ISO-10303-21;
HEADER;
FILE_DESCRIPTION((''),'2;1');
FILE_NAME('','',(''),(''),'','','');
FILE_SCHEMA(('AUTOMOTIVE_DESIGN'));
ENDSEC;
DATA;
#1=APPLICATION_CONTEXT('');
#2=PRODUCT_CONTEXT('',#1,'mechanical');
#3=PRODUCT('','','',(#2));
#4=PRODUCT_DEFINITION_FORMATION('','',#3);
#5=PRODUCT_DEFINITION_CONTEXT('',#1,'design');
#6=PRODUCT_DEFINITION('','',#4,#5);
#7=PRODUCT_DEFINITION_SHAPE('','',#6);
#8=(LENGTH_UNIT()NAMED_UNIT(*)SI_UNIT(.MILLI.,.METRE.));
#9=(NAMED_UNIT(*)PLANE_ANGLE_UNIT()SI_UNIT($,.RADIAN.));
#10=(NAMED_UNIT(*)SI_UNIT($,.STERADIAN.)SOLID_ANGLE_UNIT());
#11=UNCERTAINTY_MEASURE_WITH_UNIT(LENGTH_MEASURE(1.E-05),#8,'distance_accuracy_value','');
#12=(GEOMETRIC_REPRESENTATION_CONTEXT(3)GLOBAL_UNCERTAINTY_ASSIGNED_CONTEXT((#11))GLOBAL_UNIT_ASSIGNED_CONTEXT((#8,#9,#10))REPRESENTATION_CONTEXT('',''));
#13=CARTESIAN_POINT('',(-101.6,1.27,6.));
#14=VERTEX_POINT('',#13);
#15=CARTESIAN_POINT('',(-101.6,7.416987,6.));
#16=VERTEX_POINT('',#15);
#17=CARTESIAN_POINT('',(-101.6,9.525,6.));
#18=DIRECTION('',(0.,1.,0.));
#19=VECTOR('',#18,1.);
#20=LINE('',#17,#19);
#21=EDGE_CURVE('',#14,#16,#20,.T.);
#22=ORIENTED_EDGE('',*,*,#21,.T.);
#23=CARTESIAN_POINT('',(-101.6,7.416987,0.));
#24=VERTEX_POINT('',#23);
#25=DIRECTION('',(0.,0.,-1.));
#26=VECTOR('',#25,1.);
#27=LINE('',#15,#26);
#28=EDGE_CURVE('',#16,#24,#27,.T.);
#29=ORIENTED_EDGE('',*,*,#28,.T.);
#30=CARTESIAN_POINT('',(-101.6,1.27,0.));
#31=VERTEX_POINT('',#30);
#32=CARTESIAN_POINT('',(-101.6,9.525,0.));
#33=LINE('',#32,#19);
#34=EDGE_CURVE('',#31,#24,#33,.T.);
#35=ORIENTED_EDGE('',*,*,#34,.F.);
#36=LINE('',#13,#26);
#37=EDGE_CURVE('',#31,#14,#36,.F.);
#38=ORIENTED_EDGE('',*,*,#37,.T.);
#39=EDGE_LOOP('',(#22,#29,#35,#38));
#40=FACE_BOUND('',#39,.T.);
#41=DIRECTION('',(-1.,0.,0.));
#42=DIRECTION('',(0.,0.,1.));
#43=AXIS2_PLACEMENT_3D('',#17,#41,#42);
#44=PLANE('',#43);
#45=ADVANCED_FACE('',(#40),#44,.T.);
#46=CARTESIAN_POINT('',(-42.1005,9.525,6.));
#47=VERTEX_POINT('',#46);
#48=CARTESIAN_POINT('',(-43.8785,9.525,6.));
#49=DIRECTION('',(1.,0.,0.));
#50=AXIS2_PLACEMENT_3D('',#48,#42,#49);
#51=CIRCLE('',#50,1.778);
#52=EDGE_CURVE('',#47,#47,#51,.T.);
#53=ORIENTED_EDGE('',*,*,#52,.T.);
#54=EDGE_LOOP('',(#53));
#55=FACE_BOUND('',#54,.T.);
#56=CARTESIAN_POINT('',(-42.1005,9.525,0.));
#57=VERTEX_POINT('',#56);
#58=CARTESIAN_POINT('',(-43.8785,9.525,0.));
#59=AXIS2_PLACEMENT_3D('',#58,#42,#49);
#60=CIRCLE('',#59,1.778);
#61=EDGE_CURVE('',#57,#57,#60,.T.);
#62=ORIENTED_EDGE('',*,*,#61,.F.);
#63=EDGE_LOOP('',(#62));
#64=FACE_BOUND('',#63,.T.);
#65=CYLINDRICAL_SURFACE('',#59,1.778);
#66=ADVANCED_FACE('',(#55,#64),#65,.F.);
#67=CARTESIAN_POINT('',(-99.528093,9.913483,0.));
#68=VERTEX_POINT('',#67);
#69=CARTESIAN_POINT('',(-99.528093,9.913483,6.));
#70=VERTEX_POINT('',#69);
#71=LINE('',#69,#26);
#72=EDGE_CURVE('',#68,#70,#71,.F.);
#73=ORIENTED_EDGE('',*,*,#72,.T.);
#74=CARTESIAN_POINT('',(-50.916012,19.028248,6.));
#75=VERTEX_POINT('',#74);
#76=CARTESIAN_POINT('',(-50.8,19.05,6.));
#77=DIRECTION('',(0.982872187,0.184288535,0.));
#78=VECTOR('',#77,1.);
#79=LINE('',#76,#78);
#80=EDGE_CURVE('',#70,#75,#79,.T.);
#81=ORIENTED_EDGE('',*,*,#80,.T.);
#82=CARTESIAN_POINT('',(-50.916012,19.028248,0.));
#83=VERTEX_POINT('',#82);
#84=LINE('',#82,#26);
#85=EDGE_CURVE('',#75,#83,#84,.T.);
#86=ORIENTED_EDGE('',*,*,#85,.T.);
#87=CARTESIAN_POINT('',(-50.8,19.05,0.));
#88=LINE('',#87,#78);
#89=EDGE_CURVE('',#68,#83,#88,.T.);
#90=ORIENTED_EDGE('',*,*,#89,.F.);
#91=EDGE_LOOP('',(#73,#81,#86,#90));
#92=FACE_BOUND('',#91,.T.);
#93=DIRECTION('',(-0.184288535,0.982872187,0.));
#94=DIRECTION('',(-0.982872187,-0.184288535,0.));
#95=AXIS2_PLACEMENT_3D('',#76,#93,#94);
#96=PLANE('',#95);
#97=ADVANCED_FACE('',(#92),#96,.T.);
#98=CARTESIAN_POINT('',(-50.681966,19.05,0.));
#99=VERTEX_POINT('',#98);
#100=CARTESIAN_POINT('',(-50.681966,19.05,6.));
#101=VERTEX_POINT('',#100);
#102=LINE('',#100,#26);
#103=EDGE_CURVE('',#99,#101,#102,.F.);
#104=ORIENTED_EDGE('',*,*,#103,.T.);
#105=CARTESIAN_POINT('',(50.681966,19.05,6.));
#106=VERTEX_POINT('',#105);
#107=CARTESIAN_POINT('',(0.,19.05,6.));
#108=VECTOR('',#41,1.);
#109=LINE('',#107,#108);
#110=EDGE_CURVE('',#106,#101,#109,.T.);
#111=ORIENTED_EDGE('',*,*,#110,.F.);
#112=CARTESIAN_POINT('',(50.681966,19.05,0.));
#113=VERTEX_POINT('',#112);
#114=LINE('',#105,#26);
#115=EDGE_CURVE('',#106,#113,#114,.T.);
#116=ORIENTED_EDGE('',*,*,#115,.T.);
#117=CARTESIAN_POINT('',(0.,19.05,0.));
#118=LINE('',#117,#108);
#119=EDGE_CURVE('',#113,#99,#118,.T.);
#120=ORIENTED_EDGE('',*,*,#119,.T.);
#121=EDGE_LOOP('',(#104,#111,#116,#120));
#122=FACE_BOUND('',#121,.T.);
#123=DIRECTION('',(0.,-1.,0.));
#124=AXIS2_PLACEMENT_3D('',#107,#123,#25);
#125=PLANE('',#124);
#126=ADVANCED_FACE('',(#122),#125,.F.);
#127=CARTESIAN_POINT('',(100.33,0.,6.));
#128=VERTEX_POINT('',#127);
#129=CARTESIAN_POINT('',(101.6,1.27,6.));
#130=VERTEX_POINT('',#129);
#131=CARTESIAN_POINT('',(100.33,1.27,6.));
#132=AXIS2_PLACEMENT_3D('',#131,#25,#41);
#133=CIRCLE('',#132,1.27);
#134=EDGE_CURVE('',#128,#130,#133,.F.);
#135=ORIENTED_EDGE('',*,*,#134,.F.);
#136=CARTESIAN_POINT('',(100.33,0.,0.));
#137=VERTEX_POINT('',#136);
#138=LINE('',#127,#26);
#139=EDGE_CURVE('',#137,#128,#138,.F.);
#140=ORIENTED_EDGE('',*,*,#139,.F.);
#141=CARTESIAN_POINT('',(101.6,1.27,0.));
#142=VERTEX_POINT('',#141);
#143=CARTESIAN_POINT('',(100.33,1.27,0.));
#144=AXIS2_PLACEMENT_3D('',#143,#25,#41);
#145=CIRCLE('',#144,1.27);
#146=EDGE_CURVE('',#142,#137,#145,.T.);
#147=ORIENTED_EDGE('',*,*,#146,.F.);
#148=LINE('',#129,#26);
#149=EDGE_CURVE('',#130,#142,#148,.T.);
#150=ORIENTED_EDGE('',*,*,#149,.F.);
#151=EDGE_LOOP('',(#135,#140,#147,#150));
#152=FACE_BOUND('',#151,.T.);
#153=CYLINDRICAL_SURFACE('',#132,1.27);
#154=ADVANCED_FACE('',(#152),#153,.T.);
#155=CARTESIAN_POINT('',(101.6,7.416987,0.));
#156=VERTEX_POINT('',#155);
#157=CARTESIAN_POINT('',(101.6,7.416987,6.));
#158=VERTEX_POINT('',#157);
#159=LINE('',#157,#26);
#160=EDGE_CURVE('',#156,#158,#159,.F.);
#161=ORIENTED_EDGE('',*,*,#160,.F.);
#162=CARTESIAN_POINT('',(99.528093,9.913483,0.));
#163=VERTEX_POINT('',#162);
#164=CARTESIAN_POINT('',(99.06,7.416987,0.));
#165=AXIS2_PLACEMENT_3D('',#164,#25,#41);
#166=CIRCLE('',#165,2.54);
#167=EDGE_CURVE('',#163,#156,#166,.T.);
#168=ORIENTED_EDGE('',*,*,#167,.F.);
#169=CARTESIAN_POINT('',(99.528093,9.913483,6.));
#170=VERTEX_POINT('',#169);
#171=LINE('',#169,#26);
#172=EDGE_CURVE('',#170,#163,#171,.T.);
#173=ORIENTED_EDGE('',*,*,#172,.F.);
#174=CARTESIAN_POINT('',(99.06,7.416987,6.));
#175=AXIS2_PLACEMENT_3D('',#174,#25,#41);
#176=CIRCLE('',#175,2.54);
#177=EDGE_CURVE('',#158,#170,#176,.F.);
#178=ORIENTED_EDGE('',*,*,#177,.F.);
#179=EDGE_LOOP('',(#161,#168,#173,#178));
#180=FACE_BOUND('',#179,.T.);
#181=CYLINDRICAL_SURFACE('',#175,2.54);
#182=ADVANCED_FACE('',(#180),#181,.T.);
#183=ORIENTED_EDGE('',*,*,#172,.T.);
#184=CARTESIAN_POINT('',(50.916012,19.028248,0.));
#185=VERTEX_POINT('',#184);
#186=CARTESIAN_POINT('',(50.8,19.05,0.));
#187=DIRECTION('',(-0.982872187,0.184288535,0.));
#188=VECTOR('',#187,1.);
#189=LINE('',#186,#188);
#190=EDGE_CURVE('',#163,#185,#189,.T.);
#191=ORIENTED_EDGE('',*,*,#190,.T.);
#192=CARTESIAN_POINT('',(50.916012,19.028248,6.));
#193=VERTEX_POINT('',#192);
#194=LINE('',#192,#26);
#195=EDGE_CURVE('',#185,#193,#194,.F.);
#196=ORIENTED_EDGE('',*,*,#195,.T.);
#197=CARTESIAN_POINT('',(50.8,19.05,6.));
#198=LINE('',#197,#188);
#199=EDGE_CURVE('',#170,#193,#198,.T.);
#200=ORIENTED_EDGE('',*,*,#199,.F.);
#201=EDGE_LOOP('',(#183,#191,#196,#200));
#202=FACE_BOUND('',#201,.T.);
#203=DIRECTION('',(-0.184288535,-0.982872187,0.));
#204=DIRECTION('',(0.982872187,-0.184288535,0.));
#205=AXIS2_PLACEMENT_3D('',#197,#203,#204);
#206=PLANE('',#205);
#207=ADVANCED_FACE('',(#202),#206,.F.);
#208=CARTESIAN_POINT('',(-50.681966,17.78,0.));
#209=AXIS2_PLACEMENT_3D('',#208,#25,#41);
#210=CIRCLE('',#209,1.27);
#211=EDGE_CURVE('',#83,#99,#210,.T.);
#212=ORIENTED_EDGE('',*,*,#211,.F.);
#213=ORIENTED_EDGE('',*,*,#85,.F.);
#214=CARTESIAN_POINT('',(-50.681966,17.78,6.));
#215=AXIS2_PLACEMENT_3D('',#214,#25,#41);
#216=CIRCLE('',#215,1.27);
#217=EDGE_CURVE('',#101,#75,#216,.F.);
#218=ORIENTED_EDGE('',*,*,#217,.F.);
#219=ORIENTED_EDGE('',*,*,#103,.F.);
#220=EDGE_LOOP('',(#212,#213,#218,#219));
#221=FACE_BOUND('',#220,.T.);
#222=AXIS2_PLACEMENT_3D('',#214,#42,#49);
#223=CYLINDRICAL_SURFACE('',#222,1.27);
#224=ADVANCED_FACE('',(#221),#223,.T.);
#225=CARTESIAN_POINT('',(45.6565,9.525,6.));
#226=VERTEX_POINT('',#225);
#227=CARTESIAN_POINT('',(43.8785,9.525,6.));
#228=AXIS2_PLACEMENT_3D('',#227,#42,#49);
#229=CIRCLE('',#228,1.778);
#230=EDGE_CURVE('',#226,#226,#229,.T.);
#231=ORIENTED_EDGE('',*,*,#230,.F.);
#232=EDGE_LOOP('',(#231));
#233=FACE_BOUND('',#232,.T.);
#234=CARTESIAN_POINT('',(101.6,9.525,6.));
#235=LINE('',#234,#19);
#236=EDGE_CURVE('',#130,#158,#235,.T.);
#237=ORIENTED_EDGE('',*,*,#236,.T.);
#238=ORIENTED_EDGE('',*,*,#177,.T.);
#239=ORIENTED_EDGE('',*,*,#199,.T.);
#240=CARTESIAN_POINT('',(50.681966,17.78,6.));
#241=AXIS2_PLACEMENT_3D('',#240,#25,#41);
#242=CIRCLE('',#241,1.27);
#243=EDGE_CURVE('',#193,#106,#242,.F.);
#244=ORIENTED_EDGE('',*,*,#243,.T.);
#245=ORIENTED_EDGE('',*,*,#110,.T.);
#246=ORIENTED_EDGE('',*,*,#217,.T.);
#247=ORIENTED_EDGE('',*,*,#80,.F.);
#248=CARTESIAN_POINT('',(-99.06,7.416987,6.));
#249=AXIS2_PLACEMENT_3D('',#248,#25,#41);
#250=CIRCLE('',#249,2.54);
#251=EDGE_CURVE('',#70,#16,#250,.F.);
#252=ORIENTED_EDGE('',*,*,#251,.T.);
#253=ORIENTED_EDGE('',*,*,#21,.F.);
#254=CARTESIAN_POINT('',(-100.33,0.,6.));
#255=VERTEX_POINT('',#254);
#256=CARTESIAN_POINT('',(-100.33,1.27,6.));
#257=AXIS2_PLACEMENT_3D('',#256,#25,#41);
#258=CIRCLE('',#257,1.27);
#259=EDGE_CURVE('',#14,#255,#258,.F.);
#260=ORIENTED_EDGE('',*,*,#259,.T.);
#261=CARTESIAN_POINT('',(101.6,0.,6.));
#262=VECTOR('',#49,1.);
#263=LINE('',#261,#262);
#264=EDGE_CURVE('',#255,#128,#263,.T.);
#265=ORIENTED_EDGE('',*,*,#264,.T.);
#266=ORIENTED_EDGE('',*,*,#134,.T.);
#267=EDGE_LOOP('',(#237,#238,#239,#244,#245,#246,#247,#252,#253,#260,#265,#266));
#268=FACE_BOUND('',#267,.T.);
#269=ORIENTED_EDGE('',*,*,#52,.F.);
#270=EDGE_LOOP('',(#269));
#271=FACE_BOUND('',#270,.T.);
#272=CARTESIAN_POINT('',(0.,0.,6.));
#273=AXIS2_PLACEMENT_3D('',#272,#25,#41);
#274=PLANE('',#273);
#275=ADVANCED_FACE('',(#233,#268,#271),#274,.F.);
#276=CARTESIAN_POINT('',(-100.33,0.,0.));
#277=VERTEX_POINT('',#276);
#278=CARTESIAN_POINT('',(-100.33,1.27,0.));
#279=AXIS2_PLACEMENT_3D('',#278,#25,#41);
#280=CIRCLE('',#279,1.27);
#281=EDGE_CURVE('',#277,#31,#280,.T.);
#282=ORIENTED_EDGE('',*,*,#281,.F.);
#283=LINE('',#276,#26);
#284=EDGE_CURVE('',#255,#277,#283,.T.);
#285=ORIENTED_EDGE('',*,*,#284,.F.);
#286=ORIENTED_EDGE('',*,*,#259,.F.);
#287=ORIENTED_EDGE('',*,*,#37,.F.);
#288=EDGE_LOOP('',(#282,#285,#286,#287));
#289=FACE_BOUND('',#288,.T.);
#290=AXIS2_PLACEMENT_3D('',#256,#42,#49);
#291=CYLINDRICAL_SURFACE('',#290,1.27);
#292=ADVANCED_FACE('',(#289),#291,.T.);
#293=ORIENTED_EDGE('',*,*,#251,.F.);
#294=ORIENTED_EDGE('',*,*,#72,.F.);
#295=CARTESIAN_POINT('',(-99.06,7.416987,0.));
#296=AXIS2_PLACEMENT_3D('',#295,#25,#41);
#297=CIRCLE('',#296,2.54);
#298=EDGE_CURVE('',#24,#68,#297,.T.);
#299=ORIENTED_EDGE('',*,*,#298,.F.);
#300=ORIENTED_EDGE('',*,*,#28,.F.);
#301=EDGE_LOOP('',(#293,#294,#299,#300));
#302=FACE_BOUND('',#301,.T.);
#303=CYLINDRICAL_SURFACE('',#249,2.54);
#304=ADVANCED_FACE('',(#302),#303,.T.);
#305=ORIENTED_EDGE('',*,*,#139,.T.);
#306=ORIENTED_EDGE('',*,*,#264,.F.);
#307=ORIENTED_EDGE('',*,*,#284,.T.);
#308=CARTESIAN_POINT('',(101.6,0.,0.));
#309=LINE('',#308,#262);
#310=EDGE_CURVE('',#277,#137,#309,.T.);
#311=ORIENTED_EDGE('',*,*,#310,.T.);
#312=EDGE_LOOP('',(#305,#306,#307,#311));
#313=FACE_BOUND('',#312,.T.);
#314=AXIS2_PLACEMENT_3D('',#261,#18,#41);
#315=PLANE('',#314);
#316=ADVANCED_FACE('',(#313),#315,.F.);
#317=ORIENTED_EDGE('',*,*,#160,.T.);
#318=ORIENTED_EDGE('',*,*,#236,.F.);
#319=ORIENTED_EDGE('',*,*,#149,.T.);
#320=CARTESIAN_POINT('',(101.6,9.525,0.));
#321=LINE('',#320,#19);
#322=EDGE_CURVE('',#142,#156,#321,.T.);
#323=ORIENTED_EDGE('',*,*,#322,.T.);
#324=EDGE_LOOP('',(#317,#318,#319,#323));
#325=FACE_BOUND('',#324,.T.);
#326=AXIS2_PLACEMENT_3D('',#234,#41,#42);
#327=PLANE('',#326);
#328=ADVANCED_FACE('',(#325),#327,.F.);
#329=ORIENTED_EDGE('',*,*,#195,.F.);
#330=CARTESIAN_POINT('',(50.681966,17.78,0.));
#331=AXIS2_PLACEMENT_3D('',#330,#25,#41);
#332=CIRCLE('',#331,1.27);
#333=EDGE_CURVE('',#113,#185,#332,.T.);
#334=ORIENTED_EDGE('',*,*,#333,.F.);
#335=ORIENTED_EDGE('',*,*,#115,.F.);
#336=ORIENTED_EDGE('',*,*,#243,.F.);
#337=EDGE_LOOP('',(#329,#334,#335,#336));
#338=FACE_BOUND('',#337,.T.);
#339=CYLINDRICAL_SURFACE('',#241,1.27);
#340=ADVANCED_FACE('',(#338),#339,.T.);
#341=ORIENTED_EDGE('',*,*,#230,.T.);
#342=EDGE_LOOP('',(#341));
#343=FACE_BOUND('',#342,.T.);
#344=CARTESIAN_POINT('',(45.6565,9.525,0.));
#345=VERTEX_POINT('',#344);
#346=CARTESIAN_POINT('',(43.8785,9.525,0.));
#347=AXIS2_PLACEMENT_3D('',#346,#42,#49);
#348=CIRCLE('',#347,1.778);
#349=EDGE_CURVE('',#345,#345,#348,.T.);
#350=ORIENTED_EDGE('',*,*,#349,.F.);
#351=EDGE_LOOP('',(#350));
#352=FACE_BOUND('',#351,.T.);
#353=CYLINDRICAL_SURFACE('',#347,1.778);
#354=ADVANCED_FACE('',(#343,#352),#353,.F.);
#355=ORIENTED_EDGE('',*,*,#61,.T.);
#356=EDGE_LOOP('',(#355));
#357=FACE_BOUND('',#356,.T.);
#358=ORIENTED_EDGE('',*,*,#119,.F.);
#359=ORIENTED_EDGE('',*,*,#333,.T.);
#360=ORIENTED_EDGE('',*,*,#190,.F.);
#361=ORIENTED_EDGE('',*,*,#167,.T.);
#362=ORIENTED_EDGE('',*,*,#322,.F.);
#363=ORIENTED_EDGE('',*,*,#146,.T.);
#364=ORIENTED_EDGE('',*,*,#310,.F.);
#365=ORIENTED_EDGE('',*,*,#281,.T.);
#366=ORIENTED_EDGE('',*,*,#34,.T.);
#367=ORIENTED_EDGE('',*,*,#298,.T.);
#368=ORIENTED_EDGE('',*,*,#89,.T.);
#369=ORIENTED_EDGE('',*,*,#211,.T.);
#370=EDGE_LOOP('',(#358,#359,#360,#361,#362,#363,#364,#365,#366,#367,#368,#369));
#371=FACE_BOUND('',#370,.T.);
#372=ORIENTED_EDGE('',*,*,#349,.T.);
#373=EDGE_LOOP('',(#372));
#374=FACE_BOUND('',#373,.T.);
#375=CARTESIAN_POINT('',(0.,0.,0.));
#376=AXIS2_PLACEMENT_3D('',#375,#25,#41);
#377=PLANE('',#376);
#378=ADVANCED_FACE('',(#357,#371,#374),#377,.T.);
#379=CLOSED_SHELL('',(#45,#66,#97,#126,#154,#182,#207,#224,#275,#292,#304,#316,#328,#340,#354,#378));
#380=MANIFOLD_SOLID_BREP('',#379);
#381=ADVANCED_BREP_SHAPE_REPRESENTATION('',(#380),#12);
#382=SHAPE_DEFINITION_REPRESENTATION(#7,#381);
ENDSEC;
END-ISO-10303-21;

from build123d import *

# Parameters (mm, degrees)
BOSS_EXTRUDE1_DEPTH = 6
FILLET1_R           = 2.54
FILLET2_R           = 1.27
SKETCH2_R           = 1.778
CUT_EXTRUDE1_DEPTH  = 104.544495267


with BuildPart() as part:
    # Sketch1 → Boss-Extrude1 (new body)
    with BuildSketch(Plane.XY):
        Polygon((0, 0), (0, 19.05), (50.8, 19.05), (101.6, 9.525), (101.6, 0), align=None)
    boss_extrude1 = extrude(amount=BOSS_EXTRUDE1_DEPTH)

    # Mirror1: Boss-Extrude1 across plane
    add(boss_extrude1.mirror(Plane(origin=(0, 0, 6), x_dir=(0, 0, 1), z_dir=(1, 0, 0))))

    # Fillet1
    fillet1_edges = [part.edges().sort_by_distance(p)[0] for p in [
        (-101.6, 9.525, 3),
        (101.6, 9.525, 3),
    ]]
    fillet(fillet1_edges, radius=FILLET1_R)

    # Fillet2
    fillet2_edges = [part.edges().sort_by_distance(p)[0] for p in [
        (-101.6, 0, 3),
        (-50.8, 19.05, 3),
        (50.8, 19.05, 3),
        (101.6, 0, 3),
    ]]
    fillet(fillet2_edges, radius=FILLET2_R)

    # Sketch2 → Cut-Extrude1 (cut, through all)
    with BuildSketch(Plane.XY.offset(6)):
        with Locations((-43.8785, 9.525)):
            Circle(SKETCH2_R)
        with Locations((43.8785, 9.525)):
            Circle(SKETCH2_R)
    extrude(amount=-CUT_EXTRUDE1_DEPTH, mode=Mode.SUBTRACT)


solid = part.part
